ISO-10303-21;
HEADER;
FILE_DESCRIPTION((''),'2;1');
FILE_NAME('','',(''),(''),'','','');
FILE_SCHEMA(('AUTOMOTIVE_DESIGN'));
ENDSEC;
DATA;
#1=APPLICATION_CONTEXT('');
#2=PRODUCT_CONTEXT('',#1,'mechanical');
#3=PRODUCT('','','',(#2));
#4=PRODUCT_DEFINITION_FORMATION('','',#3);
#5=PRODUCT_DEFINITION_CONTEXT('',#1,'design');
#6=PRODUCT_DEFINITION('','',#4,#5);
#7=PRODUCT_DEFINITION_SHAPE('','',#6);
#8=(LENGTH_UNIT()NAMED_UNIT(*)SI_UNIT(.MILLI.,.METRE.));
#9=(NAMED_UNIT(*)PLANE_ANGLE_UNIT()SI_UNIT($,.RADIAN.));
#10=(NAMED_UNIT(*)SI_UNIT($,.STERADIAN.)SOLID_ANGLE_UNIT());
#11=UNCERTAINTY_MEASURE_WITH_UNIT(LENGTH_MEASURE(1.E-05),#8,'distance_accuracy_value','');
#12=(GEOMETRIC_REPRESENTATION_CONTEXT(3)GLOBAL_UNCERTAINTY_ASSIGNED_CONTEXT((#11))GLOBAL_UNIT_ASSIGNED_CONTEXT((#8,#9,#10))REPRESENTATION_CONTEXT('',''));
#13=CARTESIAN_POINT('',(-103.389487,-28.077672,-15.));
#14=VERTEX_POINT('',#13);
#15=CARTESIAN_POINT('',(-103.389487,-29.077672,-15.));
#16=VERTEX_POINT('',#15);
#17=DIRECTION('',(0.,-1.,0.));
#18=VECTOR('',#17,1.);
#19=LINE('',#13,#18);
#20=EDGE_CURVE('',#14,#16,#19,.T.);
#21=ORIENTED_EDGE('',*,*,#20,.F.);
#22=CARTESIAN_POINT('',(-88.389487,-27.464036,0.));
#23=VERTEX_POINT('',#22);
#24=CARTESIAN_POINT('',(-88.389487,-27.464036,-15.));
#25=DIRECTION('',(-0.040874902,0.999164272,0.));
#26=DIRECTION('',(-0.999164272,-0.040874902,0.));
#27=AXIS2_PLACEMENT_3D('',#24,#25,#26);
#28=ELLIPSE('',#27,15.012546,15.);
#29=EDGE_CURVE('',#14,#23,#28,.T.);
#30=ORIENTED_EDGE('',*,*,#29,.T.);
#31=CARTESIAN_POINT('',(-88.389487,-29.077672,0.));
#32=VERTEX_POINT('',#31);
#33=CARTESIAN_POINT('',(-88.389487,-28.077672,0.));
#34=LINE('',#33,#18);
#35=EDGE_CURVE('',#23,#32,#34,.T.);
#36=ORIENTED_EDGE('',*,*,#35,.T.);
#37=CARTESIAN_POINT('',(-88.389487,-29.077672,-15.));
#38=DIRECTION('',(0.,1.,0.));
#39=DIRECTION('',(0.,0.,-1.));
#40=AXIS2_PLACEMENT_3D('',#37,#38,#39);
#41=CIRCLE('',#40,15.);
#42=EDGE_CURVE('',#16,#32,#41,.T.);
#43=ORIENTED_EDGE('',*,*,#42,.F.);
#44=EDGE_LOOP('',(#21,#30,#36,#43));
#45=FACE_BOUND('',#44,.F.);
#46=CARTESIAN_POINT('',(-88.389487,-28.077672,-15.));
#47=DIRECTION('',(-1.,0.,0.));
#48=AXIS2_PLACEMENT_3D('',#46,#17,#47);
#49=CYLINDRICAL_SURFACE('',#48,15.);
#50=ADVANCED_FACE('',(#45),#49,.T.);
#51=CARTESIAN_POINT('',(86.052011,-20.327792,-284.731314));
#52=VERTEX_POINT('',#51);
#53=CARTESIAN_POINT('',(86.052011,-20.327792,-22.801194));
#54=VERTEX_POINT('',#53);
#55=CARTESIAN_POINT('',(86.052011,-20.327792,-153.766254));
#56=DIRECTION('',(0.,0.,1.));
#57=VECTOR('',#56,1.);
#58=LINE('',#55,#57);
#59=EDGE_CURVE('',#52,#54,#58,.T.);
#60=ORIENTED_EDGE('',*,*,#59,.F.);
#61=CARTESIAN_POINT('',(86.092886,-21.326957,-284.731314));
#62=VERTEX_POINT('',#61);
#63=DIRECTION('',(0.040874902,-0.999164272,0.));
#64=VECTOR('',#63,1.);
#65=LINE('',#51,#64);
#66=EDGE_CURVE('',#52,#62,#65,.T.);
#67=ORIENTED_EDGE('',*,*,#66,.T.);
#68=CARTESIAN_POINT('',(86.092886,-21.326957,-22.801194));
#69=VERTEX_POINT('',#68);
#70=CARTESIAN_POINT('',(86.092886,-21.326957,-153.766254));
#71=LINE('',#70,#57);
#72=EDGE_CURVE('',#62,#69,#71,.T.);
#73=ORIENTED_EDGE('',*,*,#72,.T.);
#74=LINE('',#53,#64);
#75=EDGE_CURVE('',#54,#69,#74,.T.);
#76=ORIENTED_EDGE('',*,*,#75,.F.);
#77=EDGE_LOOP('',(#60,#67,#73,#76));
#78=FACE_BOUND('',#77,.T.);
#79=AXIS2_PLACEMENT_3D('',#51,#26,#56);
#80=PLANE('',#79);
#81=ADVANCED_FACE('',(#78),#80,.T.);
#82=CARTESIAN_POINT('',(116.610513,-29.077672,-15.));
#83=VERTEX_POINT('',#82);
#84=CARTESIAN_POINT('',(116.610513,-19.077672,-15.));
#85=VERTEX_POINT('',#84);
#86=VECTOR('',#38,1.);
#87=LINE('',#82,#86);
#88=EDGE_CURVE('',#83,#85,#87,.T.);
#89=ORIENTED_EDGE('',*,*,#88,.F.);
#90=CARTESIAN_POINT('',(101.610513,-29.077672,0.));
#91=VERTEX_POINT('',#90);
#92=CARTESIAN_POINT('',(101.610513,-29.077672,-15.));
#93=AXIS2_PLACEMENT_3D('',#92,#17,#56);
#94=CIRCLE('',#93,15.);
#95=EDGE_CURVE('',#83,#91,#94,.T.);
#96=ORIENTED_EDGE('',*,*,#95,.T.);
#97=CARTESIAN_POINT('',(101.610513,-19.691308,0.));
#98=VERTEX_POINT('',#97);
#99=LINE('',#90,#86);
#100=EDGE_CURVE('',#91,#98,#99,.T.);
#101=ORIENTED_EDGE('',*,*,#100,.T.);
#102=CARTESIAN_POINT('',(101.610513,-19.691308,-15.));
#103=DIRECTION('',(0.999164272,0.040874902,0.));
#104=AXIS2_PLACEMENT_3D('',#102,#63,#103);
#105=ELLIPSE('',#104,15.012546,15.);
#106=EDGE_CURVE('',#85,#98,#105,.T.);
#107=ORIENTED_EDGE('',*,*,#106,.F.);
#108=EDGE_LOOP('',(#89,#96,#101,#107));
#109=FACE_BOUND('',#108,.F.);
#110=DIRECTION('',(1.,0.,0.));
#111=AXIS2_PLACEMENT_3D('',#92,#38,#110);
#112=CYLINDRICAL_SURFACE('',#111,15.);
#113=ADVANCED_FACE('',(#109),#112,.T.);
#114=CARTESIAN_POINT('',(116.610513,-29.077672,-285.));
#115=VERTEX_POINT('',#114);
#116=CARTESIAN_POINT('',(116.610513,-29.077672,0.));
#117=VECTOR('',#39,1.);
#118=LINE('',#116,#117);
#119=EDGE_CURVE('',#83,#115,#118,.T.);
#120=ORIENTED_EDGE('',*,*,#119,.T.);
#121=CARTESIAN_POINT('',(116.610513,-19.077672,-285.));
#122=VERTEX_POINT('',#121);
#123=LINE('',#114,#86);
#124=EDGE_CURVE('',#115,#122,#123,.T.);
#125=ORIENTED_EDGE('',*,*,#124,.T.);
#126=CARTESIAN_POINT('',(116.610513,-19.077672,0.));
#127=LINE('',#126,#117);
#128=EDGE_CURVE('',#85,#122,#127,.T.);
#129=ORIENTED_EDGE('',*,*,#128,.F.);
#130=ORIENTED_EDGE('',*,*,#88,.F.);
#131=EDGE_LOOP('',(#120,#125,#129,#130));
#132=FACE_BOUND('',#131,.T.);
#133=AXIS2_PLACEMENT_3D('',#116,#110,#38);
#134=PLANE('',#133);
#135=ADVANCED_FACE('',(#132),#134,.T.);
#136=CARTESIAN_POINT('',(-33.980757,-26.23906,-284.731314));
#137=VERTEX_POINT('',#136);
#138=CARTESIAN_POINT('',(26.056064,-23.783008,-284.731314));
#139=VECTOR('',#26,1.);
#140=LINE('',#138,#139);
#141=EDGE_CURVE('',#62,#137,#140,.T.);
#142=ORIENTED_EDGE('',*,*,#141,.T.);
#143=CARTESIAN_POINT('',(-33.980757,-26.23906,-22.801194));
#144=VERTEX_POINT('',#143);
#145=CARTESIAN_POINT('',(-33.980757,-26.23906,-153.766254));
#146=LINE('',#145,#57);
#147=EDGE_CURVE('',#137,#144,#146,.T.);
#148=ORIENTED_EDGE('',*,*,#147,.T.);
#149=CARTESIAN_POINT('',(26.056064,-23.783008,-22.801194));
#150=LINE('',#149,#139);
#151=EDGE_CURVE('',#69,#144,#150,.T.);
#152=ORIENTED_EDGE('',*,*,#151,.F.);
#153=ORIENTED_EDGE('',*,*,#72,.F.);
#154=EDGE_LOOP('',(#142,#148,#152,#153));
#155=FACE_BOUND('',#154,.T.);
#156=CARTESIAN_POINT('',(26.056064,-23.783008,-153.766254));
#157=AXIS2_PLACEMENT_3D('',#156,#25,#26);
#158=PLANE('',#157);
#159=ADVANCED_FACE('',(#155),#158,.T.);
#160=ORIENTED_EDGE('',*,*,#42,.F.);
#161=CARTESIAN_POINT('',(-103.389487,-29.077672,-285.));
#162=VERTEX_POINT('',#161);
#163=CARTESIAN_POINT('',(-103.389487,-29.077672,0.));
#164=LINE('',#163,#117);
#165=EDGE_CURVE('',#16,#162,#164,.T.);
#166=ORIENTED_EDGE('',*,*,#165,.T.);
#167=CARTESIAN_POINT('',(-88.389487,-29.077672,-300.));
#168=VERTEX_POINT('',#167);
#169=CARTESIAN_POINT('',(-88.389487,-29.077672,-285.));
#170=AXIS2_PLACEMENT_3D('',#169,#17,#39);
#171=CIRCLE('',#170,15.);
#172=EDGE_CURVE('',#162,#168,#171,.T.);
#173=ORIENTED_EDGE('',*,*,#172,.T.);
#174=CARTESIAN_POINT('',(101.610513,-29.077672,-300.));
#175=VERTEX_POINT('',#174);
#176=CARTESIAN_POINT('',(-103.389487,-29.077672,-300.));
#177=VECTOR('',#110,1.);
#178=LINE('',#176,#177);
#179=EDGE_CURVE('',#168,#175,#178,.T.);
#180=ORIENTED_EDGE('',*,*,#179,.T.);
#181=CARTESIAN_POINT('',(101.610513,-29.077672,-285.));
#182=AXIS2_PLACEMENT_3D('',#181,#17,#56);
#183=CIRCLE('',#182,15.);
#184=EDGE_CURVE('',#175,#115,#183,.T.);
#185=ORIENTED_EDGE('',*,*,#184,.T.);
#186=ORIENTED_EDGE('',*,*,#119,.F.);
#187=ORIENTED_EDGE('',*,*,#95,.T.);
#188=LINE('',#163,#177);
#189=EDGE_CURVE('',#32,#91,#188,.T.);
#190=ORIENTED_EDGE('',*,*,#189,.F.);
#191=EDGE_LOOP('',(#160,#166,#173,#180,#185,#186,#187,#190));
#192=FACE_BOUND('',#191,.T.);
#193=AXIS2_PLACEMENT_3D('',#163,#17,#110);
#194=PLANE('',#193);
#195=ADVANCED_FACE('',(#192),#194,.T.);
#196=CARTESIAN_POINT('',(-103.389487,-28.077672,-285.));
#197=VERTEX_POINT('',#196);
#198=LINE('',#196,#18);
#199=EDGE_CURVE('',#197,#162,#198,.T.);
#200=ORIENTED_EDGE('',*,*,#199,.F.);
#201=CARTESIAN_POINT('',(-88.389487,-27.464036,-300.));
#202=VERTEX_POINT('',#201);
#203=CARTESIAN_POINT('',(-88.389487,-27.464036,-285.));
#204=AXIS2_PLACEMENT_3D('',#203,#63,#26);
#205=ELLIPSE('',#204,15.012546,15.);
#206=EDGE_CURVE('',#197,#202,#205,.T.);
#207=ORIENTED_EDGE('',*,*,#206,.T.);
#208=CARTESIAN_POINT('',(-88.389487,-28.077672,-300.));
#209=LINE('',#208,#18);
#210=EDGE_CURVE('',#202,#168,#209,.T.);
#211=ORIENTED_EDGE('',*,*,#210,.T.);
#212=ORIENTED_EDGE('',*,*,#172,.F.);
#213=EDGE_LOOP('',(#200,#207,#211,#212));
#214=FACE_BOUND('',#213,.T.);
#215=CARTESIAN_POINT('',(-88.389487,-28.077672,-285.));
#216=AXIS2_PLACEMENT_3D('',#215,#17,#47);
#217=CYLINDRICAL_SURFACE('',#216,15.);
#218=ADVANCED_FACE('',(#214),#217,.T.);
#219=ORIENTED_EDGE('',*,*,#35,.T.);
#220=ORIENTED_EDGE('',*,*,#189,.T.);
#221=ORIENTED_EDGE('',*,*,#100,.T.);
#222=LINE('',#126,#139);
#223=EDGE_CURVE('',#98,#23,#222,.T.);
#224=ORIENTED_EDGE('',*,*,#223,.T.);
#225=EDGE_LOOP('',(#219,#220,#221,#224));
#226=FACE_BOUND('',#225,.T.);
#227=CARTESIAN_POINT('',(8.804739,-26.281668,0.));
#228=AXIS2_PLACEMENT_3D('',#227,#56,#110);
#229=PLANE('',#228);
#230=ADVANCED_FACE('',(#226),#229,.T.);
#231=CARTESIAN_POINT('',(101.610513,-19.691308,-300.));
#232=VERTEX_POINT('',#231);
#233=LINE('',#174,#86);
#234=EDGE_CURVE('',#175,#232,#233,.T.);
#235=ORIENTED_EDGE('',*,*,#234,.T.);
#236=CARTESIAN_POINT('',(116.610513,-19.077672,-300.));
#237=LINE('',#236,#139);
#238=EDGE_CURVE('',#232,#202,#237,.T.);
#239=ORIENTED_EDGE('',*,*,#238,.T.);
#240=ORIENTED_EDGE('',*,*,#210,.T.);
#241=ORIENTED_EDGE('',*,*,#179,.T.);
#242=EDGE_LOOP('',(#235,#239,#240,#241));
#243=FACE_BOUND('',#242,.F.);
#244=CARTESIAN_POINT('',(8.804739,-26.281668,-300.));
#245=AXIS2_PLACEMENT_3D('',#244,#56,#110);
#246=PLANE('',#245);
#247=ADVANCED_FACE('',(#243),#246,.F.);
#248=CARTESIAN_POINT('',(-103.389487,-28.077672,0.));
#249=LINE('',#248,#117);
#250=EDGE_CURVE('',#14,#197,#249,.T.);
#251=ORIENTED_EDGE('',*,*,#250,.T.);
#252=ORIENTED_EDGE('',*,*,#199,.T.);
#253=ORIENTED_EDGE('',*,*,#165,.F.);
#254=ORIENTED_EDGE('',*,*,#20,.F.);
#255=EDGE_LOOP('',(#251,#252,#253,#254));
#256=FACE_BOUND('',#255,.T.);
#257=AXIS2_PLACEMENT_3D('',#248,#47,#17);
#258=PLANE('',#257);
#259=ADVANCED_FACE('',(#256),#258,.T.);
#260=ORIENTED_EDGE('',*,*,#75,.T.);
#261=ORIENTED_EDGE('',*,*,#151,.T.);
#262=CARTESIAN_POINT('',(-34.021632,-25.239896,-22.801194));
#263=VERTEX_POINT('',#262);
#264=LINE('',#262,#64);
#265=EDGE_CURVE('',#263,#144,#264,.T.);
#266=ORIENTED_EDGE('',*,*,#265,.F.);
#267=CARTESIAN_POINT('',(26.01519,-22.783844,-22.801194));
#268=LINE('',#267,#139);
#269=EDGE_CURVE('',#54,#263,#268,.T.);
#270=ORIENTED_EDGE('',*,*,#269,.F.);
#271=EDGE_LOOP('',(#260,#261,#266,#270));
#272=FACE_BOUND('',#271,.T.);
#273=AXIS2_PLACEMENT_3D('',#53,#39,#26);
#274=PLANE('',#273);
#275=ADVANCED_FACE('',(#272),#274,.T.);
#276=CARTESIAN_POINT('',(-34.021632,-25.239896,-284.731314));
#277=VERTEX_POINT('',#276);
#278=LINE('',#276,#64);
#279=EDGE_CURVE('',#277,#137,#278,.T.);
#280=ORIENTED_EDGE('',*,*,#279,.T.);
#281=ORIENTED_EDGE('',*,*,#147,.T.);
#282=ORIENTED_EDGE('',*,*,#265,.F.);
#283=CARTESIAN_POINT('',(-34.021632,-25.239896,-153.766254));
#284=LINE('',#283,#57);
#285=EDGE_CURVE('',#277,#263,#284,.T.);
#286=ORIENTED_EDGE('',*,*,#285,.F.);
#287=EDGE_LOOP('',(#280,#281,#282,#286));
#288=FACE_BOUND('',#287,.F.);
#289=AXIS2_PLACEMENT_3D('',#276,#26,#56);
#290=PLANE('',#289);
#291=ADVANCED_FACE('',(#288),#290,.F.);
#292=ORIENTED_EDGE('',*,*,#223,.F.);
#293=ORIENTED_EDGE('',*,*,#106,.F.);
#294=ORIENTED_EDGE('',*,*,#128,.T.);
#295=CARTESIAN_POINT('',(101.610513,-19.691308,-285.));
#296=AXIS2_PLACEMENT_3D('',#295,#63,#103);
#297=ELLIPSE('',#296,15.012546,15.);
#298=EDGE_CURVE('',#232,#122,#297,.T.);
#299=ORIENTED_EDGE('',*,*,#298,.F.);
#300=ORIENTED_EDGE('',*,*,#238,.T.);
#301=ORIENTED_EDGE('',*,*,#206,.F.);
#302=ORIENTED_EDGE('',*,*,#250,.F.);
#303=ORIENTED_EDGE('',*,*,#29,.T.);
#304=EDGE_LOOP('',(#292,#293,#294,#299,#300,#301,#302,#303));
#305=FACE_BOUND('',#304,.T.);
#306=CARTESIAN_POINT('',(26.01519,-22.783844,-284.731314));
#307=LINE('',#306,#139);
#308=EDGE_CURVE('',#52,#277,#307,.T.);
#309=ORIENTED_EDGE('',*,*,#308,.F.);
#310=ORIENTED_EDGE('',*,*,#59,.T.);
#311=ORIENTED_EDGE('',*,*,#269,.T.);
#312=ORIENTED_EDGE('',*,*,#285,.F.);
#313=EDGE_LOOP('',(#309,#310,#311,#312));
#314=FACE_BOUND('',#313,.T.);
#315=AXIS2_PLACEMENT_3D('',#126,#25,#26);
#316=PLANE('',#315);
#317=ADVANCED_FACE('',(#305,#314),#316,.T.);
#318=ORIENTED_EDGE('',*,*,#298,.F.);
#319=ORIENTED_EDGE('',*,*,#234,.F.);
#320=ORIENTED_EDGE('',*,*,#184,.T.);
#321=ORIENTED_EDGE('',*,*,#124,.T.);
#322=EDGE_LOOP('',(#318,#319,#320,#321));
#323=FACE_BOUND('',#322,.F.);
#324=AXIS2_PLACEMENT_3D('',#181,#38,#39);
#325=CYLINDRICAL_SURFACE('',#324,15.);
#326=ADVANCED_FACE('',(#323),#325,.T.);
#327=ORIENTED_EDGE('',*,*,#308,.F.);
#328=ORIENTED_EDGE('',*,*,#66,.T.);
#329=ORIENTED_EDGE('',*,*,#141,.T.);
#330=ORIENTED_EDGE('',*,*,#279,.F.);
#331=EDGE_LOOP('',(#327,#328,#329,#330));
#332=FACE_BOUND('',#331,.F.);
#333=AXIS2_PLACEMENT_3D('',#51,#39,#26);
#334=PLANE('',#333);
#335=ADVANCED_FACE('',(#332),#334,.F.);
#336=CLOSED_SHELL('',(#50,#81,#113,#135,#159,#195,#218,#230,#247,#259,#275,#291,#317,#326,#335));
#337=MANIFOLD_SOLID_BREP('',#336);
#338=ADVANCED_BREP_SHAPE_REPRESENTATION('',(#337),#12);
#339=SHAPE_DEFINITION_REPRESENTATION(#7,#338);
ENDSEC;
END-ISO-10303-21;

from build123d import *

# Parameters (mm, degrees)
F3_DEPTH = 300
F4_R     = 15
F5_R     = 15
F6_R     = 15
F7_R     = 15
F8_W     = 120.1740764081
F8_H     = 261.9301192462
F9_DEPTH = 1


with BuildPart() as f3:
    # F1 (on face) → F3 (new body)
    with BuildSketch(Plane.XY):
        Polygon((116.6105127335, -19.077671887), (-103.3894872665, -28.077671887), (-103.3894872665, -29.077671887), (116.6105127335, -29.077671887), align=None)
    extrude(amount=-F3_DEPTH)

    # F4
    f4_edges = [f3.edges().sort_by_distance(p)[0] for p in [
        (-103.389487, -28.577672, 0),
    ]]
    fillet(f4_edges, radius=F4_R)

    # F5
    f5_edges = [f3.edges().sort_by_distance(p)[0] for p in [
        (-103.389487, -28.577672, -300),
    ]]
    fillet(f5_edges, radius=F5_R)

    # F6
    f6_edges = [f3.edges().sort_by_distance(p)[0] for p in [
        (116.610513, -24.077672, -300),
    ]]
    fillet(f6_edges, radius=F6_R)

    # F7
    f7_edges = [f3.edges().sort_by_distance(p)[0] for p in [
        (116.610513, -24.077672, 0),
    ]]
    fillet(f7_edges, radius=F7_R)

    # F8 (on face) → F9 (cut)
    with BuildSketch(Plane(origin=(0.9739741727, -23.8082575553, 0), x_dir=(-0.999164272, -0.040874902, 0), z_dir=(-0.040874902, 0.999164272, 0))):
        with Locations((-25.0621605664, -153.7662539631)):
            Rectangle(F8_W, F8_H)
    extrude(amount=-F9_DEPTH, mode=Mode.SUBTRACT)


solid = f3.part
